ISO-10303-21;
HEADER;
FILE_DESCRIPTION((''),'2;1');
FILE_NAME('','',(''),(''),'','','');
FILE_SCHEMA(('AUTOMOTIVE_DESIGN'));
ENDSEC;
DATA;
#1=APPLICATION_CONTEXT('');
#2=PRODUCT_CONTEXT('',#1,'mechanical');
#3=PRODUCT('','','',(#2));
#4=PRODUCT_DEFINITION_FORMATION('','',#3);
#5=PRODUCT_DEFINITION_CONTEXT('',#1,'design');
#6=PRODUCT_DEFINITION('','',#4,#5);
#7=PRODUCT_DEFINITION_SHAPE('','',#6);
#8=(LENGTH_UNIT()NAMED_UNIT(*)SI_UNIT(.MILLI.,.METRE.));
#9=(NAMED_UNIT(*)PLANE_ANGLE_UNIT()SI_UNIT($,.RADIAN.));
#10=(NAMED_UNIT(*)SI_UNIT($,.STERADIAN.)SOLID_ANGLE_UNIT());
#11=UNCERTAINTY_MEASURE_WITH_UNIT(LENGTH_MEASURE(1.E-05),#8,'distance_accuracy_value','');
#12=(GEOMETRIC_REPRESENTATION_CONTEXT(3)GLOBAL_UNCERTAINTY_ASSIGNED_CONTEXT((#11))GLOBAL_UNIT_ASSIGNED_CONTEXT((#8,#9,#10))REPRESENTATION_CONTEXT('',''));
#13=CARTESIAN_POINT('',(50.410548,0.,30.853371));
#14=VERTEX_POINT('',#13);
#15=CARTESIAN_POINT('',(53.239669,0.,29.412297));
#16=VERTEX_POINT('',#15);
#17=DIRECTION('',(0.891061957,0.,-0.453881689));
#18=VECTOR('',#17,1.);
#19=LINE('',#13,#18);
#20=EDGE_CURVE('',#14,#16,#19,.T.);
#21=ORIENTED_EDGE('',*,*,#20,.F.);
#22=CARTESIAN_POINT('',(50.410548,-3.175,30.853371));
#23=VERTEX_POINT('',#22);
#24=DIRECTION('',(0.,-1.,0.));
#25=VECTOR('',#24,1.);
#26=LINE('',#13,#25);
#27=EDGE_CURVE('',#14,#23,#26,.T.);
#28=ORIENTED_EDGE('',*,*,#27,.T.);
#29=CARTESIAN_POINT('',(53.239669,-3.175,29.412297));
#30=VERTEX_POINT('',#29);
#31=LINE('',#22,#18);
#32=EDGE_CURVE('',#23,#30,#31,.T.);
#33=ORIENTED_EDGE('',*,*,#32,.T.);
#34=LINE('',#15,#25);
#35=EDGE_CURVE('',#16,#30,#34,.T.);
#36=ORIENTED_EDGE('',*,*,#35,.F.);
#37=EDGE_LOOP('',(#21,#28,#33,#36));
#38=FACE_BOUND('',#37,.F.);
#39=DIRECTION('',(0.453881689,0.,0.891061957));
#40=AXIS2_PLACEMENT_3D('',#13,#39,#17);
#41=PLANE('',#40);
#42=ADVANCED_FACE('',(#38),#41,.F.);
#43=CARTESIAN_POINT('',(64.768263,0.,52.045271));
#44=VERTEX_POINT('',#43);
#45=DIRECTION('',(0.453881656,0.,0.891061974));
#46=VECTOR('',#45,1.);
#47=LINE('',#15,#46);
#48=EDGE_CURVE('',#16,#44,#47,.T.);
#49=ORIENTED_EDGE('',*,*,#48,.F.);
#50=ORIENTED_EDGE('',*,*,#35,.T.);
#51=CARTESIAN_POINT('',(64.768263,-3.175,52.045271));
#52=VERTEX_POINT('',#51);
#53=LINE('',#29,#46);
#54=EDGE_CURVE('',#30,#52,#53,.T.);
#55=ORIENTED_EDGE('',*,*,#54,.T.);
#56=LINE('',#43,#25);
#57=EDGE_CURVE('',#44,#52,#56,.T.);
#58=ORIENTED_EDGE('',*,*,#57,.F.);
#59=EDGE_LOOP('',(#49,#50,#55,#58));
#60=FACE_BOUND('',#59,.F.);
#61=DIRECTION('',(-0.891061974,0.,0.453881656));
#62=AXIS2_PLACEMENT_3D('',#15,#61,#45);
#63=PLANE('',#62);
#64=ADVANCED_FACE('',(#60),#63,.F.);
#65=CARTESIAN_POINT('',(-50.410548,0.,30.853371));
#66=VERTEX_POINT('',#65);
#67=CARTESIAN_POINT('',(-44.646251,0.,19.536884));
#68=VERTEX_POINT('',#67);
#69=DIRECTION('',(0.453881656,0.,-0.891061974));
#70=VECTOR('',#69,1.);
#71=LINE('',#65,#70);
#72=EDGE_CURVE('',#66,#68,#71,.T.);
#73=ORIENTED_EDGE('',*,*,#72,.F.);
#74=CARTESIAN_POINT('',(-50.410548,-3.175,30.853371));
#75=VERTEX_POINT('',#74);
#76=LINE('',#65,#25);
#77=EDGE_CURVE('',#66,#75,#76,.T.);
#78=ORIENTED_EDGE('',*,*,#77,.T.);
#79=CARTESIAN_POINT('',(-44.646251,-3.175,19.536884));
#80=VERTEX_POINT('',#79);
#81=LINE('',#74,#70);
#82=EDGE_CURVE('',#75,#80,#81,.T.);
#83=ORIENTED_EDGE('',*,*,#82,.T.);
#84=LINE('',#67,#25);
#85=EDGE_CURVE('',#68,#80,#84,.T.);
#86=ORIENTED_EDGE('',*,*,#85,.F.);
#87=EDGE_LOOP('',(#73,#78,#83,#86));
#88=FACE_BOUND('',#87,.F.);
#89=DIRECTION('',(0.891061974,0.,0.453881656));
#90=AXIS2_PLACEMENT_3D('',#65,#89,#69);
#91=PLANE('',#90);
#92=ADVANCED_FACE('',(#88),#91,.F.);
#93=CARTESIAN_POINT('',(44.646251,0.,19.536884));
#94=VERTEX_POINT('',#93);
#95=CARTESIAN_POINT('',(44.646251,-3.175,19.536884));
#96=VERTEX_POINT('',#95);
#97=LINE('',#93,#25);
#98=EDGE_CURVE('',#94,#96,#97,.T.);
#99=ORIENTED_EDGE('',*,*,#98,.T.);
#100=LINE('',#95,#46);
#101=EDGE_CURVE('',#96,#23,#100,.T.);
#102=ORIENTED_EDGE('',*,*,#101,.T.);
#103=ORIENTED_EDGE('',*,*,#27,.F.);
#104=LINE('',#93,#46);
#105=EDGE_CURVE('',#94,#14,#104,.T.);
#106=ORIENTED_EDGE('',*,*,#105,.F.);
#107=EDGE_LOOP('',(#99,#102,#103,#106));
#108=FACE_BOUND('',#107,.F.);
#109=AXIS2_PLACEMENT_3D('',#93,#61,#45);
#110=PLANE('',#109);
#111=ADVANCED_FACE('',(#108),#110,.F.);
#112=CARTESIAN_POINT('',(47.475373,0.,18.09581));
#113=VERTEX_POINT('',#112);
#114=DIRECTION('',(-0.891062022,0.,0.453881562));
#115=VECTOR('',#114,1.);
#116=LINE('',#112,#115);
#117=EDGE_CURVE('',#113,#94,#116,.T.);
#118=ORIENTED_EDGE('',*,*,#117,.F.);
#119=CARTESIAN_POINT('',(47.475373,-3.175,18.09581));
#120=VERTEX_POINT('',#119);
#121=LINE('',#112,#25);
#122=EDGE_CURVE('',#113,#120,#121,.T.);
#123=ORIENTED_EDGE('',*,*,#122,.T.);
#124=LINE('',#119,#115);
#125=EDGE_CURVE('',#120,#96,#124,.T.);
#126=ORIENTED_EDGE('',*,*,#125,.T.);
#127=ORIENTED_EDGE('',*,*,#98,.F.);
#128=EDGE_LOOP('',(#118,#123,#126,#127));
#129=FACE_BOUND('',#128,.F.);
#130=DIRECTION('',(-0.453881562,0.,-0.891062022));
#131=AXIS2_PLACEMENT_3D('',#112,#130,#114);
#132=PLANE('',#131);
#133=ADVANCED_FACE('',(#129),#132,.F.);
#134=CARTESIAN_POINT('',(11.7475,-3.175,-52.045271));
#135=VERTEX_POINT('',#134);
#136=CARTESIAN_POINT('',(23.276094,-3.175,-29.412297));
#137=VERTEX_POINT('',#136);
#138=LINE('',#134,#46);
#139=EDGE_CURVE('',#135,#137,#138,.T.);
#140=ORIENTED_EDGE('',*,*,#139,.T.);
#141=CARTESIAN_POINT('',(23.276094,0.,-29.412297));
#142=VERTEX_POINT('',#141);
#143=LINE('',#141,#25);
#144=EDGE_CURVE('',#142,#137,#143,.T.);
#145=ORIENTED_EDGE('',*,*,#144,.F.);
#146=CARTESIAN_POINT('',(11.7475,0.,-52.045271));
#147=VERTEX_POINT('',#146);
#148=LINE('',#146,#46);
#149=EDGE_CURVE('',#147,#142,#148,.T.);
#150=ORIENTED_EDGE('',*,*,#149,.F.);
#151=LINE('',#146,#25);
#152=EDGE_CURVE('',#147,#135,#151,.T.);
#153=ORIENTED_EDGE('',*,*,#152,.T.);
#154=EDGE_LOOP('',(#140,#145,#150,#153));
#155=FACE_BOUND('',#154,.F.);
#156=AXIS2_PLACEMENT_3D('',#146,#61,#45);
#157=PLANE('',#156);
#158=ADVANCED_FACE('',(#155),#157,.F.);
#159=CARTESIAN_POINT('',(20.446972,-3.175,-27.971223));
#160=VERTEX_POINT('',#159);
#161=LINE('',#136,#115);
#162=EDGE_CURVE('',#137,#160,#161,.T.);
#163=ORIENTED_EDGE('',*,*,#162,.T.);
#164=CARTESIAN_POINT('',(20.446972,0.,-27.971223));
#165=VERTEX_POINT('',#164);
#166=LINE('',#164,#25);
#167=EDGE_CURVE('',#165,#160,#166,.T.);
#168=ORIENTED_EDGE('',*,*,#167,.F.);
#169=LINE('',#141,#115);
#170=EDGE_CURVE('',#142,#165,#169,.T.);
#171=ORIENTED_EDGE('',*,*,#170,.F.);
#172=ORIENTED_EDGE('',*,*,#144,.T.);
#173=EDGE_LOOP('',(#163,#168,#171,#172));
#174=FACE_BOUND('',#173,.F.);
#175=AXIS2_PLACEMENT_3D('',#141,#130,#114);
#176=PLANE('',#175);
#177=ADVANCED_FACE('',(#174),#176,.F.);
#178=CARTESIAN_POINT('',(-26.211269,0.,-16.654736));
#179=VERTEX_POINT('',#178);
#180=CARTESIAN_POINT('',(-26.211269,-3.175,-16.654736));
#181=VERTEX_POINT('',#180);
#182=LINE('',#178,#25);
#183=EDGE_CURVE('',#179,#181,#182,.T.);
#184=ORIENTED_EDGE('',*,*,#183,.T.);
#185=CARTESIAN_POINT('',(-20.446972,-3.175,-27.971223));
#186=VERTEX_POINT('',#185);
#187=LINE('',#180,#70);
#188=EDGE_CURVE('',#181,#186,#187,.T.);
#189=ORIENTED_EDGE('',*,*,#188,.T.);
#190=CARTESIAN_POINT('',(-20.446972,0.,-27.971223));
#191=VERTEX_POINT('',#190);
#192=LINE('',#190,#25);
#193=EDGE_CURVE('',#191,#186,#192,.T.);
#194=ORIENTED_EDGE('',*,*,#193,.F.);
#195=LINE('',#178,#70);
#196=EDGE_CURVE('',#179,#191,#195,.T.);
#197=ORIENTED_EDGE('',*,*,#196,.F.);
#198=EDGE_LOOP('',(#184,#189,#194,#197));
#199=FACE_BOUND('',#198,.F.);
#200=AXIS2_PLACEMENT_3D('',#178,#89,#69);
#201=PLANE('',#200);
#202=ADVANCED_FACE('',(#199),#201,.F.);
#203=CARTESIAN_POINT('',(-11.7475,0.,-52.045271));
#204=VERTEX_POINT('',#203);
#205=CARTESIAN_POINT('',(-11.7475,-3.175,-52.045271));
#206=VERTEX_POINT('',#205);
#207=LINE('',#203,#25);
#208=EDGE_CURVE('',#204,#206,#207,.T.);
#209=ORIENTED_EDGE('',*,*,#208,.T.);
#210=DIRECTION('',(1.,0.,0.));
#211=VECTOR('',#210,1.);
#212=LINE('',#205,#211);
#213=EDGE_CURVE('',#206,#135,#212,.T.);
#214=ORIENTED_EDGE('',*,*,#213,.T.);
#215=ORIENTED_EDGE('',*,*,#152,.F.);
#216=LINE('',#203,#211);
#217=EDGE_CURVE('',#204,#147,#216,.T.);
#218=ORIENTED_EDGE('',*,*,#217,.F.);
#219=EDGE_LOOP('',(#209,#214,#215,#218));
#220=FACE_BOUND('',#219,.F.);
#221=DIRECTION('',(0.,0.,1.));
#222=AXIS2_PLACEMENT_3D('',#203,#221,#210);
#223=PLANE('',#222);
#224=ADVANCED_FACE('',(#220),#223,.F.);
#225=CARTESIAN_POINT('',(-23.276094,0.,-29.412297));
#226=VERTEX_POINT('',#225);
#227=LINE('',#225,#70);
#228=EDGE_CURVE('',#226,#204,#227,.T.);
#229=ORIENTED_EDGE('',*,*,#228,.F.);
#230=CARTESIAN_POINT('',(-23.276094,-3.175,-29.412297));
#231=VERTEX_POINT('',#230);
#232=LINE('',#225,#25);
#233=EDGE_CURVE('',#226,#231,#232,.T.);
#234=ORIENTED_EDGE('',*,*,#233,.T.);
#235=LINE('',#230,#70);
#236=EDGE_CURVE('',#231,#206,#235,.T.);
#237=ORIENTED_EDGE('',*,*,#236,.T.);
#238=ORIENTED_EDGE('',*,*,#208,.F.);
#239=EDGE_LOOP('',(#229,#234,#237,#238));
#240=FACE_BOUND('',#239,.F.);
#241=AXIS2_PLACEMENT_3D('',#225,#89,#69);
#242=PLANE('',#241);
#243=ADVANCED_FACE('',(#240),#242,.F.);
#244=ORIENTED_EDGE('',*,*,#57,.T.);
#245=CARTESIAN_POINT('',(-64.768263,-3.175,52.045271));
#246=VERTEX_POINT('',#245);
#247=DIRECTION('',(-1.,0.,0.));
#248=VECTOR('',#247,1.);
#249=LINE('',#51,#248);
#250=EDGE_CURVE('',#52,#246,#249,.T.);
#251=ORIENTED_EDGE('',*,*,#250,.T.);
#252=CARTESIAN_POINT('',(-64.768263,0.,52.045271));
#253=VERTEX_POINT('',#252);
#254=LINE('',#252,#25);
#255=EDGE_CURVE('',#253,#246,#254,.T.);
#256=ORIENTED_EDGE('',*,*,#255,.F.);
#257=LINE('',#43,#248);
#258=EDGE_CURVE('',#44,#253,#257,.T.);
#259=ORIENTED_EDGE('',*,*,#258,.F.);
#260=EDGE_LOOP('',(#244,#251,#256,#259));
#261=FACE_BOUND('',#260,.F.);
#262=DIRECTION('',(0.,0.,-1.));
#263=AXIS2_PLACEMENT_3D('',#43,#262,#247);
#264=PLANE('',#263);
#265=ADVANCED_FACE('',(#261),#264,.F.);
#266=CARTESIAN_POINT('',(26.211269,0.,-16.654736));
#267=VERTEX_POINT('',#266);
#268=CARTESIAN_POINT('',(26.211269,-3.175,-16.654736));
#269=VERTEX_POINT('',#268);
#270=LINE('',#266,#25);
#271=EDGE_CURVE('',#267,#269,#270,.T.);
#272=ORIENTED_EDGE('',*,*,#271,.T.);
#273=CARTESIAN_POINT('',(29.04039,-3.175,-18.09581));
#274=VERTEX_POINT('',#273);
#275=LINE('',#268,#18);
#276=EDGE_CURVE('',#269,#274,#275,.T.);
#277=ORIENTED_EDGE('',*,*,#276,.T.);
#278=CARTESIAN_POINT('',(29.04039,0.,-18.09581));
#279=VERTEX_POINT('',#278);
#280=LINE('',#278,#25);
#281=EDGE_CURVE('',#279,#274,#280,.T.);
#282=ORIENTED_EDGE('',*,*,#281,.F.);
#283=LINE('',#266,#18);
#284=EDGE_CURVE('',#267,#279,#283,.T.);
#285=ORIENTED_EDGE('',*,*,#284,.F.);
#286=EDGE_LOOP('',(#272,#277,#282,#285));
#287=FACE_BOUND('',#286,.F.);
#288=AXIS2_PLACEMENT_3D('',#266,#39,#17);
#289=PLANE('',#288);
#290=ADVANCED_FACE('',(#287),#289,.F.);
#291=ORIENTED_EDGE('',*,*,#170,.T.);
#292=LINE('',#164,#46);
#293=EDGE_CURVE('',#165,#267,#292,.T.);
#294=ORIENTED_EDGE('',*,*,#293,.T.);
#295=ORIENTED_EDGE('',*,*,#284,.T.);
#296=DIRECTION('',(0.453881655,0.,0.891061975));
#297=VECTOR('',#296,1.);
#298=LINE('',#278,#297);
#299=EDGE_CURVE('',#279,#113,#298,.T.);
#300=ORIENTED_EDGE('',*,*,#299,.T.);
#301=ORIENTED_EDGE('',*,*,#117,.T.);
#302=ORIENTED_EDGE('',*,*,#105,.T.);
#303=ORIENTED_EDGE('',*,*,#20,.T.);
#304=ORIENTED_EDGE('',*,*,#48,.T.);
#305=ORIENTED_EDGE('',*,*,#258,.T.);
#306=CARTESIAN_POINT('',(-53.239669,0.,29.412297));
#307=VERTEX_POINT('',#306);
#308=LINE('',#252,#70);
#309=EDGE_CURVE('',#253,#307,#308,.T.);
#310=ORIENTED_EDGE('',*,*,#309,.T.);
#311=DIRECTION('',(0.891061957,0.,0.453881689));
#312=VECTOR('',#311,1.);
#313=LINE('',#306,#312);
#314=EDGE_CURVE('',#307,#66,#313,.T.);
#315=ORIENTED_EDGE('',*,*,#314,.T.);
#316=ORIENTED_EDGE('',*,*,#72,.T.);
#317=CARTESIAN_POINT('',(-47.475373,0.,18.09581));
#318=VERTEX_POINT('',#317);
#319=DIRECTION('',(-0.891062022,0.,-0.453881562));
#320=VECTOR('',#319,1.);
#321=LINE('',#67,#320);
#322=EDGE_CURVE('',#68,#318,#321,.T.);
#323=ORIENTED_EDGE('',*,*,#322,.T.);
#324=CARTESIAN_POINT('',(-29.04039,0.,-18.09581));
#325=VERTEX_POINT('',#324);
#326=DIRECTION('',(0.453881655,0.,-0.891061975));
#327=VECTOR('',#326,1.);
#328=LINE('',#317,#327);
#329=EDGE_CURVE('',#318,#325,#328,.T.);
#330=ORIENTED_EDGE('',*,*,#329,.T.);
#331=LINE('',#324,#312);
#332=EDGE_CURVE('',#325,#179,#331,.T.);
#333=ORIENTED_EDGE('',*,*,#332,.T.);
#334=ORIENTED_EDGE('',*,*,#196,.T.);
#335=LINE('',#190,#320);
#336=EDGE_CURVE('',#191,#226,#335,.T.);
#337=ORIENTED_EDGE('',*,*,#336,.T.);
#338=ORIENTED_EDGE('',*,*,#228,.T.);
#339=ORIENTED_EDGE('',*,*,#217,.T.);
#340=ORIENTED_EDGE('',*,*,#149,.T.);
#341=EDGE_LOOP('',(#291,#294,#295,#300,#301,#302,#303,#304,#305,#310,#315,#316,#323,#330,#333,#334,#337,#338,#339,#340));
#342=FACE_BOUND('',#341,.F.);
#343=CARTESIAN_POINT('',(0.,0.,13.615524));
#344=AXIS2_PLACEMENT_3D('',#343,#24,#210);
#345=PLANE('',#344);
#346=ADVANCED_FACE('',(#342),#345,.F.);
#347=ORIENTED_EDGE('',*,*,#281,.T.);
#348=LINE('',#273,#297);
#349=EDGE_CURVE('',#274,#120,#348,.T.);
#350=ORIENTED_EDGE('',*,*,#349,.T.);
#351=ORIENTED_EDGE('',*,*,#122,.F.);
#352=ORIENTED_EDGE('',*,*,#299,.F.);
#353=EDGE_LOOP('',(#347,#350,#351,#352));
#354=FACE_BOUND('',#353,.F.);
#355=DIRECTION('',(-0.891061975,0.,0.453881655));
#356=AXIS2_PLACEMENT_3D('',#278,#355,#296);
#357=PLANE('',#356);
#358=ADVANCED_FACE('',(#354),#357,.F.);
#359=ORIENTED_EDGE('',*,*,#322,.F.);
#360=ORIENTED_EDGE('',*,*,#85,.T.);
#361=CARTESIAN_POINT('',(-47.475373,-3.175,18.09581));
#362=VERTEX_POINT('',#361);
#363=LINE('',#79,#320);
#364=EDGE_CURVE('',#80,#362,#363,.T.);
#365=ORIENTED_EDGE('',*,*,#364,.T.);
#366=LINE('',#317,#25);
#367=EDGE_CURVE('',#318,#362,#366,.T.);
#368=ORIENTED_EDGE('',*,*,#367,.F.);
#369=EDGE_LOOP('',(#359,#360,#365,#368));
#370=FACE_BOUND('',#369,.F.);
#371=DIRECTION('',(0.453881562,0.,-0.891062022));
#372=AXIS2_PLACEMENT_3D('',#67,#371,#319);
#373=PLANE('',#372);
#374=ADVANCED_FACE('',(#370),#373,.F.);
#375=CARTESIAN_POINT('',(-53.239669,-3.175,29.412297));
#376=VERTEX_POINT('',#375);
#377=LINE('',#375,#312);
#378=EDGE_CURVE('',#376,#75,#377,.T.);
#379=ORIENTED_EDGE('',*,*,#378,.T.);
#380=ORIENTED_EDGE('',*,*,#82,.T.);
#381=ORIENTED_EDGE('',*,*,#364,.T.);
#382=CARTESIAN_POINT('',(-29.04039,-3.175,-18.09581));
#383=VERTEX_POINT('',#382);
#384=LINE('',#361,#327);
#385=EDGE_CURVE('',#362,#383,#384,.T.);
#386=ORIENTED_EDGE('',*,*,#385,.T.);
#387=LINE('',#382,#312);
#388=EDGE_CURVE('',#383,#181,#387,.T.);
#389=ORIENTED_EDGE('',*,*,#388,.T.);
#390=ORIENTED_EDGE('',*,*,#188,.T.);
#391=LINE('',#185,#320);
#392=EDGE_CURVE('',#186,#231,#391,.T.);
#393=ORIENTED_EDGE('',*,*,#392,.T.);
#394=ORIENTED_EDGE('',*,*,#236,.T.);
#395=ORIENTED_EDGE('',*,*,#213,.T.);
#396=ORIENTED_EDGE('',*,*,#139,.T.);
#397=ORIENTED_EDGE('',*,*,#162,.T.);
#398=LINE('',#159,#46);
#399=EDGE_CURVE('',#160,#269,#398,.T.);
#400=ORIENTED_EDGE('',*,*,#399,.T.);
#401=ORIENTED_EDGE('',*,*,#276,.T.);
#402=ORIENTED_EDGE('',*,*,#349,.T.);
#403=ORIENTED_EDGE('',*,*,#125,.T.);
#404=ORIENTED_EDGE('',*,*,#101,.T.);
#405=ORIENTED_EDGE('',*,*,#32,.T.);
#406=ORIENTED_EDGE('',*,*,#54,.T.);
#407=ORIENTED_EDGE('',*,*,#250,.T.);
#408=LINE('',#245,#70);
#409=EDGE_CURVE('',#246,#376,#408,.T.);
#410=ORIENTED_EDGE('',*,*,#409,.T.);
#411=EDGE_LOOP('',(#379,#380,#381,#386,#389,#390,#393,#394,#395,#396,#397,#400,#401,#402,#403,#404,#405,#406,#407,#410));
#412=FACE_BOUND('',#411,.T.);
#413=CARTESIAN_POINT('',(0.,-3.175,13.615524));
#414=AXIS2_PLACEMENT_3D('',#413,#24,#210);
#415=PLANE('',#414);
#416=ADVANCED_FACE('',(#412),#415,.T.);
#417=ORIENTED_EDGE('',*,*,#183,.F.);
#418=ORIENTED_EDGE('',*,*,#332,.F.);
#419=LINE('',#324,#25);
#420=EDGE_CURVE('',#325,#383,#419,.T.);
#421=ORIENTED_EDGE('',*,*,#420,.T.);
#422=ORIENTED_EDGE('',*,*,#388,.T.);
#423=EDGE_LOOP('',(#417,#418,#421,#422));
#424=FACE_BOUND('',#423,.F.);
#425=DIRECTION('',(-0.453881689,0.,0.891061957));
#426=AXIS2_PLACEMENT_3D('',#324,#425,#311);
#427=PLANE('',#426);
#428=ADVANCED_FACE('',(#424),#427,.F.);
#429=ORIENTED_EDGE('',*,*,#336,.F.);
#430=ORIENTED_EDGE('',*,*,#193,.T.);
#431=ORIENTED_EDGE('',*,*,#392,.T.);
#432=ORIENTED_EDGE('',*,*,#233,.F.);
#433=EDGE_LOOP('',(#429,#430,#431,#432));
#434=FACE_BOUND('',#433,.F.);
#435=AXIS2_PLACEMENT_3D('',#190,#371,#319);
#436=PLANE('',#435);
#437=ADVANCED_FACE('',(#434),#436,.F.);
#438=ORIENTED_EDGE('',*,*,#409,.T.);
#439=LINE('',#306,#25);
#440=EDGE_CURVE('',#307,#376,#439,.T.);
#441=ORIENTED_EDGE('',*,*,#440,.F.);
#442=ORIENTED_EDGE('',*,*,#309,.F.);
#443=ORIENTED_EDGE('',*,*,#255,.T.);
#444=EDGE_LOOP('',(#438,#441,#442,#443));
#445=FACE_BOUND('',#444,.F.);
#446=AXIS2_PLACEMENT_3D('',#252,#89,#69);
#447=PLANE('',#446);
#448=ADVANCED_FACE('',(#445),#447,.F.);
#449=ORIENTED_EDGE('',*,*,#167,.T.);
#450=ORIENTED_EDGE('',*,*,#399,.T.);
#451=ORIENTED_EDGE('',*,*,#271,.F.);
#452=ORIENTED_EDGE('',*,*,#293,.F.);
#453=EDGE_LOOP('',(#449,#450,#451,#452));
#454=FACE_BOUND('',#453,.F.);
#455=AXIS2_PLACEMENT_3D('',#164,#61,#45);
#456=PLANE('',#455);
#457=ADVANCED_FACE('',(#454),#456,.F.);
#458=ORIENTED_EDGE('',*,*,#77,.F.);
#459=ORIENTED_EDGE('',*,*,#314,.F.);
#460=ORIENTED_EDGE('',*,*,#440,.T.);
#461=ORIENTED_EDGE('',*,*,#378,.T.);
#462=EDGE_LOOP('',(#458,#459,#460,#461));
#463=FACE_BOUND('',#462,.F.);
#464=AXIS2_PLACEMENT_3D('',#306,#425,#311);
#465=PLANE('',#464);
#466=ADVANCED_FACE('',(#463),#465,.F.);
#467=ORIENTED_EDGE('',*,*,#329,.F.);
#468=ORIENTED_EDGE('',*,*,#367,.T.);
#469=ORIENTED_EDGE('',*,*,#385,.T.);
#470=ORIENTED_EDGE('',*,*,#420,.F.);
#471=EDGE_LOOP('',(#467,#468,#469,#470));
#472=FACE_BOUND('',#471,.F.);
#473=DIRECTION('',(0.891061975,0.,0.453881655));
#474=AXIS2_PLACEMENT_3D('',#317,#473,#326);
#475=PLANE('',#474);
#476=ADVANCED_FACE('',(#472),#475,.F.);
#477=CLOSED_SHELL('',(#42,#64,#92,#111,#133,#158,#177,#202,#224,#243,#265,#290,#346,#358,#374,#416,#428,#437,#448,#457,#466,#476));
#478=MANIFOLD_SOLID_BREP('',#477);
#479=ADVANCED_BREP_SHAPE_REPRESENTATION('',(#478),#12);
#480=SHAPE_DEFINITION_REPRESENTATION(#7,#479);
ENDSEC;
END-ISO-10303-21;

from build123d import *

# Parameters (mm, degrees)
F1_DEPTH = 3.175


with BuildPart() as f1:
    # F0 (on Front) → F1 (new body)
    with BuildSketch(Plane.XZ):
        Polygon((0, -52.045271), (11.7475, -52.045271), (23.276094, -29.412297), (20.446972, -27.971223), (26.211269, -16.654736), (29.04039, -18.09581), (47.475373, 18.09581), (44.646251, 19.536884), (50.410548, 30.853371), (53.239669, 29.412297), (64.768263, 52.045271), (-64.768263, 52.045271), (-53.239669, 29.412297), (-50.410548, 30.853371), (-44.646251, 19.536884), (-47.475373, 18.09581), (-29.04039, -18.09581), (-26.211269, -16.654736), (-20.446972, -27.971223), (-23.276094, -29.412297), (-11.7475, -52.045271), align=None)
    extrude(amount=F1_DEPTH)


solid = f1.part
